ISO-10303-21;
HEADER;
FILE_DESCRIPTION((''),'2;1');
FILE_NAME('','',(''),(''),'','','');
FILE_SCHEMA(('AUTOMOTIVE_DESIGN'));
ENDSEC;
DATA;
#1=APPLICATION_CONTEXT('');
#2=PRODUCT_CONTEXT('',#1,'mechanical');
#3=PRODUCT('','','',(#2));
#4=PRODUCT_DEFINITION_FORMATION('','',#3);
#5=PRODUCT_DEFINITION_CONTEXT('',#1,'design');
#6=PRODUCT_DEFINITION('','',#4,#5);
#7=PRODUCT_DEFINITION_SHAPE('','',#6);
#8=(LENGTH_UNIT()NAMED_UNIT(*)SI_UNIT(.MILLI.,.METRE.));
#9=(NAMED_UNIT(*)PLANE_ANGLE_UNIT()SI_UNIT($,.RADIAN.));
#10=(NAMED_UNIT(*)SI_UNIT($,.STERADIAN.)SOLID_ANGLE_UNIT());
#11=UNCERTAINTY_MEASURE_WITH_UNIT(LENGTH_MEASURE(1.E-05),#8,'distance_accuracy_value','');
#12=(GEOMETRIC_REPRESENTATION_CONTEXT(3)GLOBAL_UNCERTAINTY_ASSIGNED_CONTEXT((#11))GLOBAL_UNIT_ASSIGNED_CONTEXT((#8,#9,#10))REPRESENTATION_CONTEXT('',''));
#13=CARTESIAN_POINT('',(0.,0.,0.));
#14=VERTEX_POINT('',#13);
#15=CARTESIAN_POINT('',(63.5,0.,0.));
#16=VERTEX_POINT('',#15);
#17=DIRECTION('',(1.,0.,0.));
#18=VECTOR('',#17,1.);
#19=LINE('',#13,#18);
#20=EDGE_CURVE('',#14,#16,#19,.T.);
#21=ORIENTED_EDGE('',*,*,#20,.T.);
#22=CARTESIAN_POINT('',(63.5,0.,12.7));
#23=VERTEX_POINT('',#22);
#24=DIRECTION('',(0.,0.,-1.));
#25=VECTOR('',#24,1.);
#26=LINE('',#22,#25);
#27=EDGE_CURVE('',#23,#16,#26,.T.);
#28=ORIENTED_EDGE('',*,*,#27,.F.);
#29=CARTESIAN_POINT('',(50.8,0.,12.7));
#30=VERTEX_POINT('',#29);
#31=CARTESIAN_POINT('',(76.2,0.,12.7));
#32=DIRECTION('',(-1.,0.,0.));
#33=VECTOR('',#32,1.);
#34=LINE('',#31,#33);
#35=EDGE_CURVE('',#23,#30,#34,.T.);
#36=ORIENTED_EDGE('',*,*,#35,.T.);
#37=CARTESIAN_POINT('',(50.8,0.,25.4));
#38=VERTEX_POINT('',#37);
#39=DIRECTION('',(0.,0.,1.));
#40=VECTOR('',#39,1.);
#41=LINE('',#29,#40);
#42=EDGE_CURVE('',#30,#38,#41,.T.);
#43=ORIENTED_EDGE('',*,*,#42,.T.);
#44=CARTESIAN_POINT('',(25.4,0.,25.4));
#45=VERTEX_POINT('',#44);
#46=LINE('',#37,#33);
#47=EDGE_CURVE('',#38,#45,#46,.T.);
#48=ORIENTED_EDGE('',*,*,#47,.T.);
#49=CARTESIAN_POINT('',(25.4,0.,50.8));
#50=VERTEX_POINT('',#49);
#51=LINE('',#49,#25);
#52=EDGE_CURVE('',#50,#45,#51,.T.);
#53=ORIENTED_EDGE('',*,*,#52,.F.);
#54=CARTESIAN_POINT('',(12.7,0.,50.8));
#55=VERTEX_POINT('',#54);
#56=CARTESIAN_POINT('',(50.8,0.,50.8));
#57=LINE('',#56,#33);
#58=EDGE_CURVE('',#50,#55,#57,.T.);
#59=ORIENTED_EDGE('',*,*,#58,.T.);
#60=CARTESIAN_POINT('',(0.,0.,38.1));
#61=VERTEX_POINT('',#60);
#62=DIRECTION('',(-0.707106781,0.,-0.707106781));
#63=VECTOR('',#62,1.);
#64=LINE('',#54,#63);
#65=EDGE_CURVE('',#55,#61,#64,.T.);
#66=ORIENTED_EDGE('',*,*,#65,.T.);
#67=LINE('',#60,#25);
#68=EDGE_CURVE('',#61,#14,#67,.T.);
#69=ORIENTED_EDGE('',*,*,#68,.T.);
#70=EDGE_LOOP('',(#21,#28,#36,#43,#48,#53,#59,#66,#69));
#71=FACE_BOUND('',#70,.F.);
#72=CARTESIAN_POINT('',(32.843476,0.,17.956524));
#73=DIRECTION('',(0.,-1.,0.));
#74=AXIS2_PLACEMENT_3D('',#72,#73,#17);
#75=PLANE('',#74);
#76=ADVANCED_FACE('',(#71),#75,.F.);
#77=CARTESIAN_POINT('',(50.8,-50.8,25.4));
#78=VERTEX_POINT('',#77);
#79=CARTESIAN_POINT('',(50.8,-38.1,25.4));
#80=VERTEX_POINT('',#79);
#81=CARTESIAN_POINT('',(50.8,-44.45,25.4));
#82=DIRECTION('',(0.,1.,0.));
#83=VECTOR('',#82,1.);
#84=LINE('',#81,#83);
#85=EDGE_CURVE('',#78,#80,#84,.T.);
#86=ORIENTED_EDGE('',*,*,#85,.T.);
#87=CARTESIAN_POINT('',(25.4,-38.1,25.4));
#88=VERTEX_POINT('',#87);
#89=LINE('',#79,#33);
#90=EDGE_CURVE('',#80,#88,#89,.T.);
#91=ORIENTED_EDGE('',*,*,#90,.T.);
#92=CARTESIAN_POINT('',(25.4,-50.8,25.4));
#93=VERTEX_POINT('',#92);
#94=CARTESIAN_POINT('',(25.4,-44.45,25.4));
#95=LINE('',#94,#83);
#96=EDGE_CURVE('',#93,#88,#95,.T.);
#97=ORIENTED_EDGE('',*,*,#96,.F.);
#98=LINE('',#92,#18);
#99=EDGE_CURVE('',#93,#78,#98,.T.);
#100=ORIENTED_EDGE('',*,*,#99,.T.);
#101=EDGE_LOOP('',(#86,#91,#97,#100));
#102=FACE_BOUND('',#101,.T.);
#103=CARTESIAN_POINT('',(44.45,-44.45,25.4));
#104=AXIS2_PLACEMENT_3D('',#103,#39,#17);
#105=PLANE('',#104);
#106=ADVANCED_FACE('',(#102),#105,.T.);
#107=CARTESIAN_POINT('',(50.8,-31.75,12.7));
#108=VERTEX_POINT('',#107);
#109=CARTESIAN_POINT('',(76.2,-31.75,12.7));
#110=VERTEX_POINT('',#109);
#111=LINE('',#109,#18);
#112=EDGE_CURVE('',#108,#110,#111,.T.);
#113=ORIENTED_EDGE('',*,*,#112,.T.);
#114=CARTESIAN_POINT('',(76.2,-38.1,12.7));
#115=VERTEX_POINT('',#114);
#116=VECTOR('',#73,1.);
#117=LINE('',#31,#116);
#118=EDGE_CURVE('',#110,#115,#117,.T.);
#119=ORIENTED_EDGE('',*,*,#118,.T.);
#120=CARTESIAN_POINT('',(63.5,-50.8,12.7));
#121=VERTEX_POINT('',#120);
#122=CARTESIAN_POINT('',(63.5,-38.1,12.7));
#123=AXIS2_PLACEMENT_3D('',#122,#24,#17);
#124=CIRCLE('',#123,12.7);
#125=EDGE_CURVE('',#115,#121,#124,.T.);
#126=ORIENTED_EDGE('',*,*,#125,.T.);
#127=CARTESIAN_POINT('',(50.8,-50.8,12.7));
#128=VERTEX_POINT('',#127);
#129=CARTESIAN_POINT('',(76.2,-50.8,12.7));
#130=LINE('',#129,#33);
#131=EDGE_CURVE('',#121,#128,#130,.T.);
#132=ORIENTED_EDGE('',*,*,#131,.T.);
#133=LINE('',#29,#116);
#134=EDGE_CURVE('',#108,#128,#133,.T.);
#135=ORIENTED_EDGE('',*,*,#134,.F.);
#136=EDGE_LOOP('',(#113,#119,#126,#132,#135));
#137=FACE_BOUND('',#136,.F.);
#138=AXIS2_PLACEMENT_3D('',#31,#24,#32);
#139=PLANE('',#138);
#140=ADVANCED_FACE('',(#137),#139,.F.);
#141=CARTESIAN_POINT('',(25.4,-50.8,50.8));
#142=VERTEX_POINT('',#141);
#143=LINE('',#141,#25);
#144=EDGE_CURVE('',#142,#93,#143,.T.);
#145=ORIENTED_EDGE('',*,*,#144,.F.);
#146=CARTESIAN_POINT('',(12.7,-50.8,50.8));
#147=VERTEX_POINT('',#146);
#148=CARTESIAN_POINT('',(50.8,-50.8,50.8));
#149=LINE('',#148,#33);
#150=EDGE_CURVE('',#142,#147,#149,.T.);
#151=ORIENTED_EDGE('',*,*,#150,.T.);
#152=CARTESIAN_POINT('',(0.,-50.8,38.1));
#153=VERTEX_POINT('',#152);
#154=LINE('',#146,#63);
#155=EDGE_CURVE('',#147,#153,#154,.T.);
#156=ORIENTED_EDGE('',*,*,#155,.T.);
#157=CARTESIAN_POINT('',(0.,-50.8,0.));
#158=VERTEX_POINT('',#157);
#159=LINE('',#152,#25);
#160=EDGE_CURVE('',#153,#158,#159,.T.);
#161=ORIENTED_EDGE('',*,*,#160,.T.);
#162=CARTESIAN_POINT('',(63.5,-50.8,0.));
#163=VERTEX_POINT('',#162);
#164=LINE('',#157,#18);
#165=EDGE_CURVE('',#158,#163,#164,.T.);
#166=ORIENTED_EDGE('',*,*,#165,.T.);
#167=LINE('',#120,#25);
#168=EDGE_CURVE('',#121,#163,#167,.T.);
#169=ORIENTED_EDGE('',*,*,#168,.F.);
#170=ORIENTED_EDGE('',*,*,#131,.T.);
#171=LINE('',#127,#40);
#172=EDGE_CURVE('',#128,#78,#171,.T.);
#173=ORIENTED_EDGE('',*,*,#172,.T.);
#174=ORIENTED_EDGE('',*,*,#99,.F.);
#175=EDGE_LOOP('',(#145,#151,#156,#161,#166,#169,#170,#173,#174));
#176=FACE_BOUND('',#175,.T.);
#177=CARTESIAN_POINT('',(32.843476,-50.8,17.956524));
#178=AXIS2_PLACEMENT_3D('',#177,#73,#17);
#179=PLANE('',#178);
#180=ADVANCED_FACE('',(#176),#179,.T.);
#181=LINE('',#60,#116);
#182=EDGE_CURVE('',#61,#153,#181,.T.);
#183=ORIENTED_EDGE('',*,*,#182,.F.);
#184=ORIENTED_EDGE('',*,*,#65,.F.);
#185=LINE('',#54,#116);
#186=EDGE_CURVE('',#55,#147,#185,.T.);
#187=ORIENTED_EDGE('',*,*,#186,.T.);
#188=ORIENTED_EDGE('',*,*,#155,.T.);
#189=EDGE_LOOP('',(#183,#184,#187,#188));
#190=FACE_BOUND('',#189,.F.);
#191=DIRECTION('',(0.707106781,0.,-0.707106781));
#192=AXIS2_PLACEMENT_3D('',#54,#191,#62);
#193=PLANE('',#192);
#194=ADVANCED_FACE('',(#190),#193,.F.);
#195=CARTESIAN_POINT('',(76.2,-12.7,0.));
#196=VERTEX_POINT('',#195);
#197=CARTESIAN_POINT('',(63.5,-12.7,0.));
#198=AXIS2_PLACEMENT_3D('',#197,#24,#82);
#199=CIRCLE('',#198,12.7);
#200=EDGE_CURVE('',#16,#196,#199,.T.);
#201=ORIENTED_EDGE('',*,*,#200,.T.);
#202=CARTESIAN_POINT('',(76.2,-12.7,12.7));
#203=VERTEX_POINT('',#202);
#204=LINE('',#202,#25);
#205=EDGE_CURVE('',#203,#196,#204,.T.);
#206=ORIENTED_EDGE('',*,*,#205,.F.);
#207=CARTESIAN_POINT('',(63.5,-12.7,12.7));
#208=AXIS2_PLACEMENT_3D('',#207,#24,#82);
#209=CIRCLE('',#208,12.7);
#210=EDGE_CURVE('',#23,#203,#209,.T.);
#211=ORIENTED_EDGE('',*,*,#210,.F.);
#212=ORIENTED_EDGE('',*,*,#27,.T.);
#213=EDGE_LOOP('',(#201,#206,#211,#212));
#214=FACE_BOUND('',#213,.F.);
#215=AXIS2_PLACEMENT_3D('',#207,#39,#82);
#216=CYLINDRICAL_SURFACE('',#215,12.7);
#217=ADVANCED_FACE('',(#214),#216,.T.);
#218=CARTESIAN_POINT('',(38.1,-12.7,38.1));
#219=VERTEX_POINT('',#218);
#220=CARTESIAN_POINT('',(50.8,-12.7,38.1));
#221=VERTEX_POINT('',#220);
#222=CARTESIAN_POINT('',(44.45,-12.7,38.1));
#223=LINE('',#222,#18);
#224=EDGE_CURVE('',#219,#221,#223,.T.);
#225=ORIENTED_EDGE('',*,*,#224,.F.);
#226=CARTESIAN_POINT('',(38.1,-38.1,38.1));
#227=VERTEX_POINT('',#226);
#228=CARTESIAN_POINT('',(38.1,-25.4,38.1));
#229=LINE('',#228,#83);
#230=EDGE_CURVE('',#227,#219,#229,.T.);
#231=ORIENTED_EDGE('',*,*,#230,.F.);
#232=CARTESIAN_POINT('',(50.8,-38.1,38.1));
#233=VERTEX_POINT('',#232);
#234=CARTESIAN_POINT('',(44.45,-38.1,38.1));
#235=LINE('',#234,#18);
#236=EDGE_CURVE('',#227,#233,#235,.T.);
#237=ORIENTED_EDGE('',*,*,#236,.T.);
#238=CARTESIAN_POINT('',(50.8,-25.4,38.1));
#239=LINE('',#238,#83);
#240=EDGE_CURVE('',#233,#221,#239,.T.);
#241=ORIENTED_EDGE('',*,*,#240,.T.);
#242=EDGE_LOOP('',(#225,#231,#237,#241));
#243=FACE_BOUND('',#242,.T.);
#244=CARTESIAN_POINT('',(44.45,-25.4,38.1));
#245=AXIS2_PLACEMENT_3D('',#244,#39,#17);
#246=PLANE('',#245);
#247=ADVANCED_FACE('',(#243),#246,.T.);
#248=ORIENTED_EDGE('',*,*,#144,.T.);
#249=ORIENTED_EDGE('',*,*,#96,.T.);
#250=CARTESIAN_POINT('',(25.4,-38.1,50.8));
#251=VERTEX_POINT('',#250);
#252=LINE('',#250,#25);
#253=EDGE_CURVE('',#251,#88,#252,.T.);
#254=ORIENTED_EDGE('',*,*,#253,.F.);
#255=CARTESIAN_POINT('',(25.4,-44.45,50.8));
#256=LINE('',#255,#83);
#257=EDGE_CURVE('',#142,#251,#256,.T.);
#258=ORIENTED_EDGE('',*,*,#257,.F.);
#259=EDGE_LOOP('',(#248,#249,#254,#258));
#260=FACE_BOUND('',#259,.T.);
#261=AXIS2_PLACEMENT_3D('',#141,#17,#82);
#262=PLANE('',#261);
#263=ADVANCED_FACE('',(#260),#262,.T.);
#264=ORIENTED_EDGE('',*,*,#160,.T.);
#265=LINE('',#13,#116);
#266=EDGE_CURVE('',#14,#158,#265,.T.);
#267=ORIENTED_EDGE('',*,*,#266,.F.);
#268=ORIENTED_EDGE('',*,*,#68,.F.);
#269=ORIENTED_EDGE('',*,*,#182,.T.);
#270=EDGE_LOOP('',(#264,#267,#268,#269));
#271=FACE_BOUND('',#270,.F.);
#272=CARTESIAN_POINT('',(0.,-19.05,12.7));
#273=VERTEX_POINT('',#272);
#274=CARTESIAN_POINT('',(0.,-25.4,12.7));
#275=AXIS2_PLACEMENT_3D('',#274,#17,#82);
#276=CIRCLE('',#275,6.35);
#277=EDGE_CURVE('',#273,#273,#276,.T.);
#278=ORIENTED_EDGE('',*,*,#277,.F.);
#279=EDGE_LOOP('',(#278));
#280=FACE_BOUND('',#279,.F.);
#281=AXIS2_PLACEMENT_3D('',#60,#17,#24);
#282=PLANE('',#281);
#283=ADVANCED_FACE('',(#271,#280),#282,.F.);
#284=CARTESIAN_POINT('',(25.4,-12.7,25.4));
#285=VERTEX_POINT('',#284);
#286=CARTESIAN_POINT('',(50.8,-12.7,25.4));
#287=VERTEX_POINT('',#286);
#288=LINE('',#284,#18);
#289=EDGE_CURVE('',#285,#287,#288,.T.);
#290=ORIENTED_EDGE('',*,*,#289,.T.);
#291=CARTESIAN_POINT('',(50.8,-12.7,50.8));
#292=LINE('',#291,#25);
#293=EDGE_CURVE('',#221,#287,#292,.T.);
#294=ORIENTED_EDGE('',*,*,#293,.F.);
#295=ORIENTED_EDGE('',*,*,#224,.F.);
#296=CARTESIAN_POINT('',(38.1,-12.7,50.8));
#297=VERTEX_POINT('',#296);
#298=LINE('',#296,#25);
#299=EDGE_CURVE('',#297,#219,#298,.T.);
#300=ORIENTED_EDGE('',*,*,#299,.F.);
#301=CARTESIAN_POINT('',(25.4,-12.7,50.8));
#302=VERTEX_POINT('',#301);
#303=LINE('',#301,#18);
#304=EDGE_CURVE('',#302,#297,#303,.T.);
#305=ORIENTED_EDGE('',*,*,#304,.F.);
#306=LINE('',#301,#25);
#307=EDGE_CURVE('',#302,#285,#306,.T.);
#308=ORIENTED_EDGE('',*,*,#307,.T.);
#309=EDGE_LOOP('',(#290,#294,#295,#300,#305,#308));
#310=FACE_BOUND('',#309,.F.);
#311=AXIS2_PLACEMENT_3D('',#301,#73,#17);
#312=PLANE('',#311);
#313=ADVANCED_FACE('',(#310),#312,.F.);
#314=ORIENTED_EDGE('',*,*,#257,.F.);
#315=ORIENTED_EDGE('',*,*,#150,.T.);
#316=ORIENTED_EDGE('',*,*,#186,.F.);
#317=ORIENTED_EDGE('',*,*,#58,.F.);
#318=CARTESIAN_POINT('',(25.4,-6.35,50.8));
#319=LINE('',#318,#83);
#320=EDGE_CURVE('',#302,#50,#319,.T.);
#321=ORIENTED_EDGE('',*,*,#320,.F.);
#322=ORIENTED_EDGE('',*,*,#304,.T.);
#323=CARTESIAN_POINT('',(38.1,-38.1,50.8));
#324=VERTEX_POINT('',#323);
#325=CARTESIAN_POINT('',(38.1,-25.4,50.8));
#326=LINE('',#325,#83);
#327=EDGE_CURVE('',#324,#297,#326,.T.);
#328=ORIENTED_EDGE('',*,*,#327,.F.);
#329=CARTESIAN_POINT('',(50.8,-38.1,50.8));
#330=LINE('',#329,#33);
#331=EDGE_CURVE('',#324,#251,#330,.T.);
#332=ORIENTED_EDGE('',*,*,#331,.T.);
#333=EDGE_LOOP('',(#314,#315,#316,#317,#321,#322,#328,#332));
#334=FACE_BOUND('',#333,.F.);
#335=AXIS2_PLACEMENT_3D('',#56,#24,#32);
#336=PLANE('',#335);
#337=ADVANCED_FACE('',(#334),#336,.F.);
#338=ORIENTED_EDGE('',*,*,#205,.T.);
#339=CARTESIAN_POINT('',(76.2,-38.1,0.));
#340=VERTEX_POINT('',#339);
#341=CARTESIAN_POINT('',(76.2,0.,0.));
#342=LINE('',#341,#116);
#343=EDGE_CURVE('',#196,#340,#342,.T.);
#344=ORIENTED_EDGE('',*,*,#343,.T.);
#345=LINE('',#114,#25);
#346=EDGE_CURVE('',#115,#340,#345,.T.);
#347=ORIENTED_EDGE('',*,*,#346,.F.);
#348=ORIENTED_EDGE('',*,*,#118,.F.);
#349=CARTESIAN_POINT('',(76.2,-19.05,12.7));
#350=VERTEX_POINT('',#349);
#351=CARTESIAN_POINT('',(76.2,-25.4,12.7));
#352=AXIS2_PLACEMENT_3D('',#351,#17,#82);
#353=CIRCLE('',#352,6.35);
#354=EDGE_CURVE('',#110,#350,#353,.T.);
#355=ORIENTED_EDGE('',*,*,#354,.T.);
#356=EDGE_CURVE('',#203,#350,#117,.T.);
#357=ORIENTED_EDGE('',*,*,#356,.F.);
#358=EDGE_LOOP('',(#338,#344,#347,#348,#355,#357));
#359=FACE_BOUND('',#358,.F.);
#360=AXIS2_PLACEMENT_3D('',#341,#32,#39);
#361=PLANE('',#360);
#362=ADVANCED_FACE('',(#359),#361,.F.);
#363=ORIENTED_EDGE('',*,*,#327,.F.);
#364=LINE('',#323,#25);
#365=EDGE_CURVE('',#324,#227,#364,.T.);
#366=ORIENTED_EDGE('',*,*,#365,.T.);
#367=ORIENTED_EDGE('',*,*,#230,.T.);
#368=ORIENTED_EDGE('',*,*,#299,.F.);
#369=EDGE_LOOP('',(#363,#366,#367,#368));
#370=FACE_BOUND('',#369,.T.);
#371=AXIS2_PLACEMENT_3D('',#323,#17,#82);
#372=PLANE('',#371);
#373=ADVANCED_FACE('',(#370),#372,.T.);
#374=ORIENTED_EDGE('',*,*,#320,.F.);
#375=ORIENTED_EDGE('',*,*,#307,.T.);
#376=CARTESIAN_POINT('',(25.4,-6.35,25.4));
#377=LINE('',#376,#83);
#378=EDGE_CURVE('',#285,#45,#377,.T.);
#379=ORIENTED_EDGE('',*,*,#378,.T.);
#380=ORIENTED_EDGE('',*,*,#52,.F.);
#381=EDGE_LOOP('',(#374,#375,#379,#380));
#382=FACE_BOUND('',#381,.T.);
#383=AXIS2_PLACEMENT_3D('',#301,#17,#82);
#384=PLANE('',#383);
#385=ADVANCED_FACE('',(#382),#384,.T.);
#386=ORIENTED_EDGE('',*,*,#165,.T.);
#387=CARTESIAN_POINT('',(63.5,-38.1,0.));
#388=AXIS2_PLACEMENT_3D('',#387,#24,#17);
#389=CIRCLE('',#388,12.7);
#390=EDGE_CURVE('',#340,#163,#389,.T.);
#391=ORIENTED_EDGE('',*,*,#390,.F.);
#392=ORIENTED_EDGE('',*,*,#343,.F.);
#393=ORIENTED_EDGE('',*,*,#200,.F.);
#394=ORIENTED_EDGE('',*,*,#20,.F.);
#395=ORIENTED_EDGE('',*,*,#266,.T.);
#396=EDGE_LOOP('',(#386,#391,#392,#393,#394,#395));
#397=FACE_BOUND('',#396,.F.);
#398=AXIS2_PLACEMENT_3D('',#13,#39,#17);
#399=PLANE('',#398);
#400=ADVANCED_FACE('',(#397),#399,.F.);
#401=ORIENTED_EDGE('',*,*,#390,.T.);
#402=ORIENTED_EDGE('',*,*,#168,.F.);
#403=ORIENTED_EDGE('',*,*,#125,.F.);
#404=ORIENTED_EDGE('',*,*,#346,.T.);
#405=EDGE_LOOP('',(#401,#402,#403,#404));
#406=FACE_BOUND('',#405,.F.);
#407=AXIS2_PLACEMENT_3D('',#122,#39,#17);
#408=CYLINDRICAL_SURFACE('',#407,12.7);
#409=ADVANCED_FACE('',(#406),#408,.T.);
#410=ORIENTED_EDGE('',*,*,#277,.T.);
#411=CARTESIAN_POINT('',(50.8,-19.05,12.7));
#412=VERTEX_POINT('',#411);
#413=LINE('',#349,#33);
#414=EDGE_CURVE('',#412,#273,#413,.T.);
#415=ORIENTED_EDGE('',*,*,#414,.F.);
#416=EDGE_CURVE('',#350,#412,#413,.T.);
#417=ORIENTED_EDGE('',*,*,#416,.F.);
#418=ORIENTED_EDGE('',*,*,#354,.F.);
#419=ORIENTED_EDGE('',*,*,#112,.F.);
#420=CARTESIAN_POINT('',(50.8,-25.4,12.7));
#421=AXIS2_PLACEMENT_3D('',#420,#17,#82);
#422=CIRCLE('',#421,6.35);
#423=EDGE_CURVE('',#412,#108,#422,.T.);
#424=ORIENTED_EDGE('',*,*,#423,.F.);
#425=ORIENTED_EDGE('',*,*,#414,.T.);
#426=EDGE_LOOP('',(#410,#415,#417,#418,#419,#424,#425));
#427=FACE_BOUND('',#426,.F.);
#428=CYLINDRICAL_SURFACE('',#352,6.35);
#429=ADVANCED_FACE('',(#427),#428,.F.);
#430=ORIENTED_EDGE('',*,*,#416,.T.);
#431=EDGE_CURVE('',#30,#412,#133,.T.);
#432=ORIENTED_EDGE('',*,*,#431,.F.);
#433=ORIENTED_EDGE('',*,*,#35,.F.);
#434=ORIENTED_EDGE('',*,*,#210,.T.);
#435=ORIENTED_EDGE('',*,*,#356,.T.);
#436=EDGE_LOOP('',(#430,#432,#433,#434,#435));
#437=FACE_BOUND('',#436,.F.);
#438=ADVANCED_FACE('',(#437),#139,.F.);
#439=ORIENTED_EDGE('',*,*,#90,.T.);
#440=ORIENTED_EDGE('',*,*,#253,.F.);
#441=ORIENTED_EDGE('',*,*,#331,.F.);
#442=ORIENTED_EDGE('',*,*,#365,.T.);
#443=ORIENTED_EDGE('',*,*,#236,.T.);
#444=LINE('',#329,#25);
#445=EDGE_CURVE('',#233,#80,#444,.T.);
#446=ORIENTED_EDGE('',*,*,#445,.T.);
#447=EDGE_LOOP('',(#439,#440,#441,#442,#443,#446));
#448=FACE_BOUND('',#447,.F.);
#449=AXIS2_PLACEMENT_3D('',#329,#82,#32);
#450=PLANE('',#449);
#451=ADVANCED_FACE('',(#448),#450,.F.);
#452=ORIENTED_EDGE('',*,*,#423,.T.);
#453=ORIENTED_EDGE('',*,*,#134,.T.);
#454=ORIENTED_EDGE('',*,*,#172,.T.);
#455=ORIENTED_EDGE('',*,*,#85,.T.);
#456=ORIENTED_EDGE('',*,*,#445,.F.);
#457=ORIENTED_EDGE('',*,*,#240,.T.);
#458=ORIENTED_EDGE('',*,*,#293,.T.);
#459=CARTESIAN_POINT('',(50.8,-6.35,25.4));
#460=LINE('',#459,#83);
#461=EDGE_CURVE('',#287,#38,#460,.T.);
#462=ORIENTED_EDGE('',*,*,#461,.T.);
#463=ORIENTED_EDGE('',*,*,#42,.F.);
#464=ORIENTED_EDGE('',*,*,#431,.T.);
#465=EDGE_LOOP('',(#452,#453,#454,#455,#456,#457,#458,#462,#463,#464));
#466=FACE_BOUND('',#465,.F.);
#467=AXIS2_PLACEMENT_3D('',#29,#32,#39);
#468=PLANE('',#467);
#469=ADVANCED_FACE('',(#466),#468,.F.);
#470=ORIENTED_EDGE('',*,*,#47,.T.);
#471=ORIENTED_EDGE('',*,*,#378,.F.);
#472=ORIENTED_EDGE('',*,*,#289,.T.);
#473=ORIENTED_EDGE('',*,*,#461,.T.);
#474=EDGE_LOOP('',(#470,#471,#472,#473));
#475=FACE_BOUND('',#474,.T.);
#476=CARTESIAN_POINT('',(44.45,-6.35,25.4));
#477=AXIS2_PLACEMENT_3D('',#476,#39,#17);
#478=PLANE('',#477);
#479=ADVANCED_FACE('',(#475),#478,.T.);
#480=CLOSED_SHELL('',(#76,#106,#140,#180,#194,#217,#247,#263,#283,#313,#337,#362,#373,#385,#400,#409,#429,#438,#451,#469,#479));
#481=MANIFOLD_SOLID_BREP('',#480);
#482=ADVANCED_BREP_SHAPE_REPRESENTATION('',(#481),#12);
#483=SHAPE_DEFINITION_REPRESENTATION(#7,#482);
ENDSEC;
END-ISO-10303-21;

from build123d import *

# Parameters (mm, degrees)
F0_W     = 12.7
F0_H     = 12.7
F1_DEPTH = 50.8
F2_W     = 12.7
F2_H     = 12.7
F3_DEPTH = 25.4
F2_H_2   = 25.4
F4_DEPTH = 12.7
F6_DEPTH = 12.7
F7_R     = 6.35
F8_DEPTH = 76.2


with BuildPart() as f1:
    # F0 (on Front) → F1 (new body)
    with BuildSketch(Plane.XZ):
        Polygon((0, 38.1), (0, 0), (76.2, 0), (76.2, 12.7), (50.8, 12.7), (50.8, 25.4), (25.4, 25.4), (25.4, 50.8), (12.7, 50.8), align=None)
        Polygon((38.1, 50.8), (25.4, 50.8), (25.4, 25.4), (50.8, 25.4), (50.8, 38.1), (38.1, 38.1), align=None)
        with Locations((44.45, 44.45)):
            Rectangle(F0_W, F0_H)
    extrude(amount=F1_DEPTH)

    # F2 (on face) → F3 (cut)
    with BuildSketch(Plane.XY.offset(50.8)):
        with Locations((44.45, -44.45)):
            Rectangle(F2_W, F2_H)
        with Locations((44.45, -6.35)):
            Rectangle(F2_W, F2_H)
        with Locations((31.75, -44.45)):
            Rectangle(F2_W, F2_H)
        with Locations((31.75, -6.35)):
            Rectangle(F2_W, F2_H)
    extrude(amount=-F3_DEPTH, mode=Mode.SUBTRACT)

    # F2 (on face) → F4 (cut)
    with BuildSketch(Plane.XY.offset(50.8)):
        with Locations((44.45, -25.4)):
            Rectangle(F2_W, F2_H_2)
    extrude(amount=-F4_DEPTH, mode=Mode.SUBTRACT)

    # F5 (on face) → F6 (cut)
    with BuildSketch(Plane.XY.offset(12.7)):
        with BuildLine():
            ThreePointArc((63.5, 0), (72.4802561211, -3.7197438789), (76.2, -12.7))
            Line((76.2, -12.7), (76.2, 0))
            Line((76.2, 0), (63.5, 0))
        make_face()
        with BuildLine():
            ThreePointArc((76.2, -38.1), (72.4802561211, -47.0802561211), (63.5, -50.8))
            Line((63.5, -50.8), (76.2, -50.8))
            Line((76.2, -50.8), (76.2, -38.1))
        make_face()
    extrude(amount=-F6_DEPTH, mode=Mode.SUBTRACT)

    # F7 (on face) → F8 (cut)
    with BuildSketch(Plane.YZ.offset(76.2)):
        with Locations((-25.4, 12.7)):
            Circle(F7_R)
    extrude(amount=-F8_DEPTH, mode=Mode.SUBTRACT)


solid = f1.part
